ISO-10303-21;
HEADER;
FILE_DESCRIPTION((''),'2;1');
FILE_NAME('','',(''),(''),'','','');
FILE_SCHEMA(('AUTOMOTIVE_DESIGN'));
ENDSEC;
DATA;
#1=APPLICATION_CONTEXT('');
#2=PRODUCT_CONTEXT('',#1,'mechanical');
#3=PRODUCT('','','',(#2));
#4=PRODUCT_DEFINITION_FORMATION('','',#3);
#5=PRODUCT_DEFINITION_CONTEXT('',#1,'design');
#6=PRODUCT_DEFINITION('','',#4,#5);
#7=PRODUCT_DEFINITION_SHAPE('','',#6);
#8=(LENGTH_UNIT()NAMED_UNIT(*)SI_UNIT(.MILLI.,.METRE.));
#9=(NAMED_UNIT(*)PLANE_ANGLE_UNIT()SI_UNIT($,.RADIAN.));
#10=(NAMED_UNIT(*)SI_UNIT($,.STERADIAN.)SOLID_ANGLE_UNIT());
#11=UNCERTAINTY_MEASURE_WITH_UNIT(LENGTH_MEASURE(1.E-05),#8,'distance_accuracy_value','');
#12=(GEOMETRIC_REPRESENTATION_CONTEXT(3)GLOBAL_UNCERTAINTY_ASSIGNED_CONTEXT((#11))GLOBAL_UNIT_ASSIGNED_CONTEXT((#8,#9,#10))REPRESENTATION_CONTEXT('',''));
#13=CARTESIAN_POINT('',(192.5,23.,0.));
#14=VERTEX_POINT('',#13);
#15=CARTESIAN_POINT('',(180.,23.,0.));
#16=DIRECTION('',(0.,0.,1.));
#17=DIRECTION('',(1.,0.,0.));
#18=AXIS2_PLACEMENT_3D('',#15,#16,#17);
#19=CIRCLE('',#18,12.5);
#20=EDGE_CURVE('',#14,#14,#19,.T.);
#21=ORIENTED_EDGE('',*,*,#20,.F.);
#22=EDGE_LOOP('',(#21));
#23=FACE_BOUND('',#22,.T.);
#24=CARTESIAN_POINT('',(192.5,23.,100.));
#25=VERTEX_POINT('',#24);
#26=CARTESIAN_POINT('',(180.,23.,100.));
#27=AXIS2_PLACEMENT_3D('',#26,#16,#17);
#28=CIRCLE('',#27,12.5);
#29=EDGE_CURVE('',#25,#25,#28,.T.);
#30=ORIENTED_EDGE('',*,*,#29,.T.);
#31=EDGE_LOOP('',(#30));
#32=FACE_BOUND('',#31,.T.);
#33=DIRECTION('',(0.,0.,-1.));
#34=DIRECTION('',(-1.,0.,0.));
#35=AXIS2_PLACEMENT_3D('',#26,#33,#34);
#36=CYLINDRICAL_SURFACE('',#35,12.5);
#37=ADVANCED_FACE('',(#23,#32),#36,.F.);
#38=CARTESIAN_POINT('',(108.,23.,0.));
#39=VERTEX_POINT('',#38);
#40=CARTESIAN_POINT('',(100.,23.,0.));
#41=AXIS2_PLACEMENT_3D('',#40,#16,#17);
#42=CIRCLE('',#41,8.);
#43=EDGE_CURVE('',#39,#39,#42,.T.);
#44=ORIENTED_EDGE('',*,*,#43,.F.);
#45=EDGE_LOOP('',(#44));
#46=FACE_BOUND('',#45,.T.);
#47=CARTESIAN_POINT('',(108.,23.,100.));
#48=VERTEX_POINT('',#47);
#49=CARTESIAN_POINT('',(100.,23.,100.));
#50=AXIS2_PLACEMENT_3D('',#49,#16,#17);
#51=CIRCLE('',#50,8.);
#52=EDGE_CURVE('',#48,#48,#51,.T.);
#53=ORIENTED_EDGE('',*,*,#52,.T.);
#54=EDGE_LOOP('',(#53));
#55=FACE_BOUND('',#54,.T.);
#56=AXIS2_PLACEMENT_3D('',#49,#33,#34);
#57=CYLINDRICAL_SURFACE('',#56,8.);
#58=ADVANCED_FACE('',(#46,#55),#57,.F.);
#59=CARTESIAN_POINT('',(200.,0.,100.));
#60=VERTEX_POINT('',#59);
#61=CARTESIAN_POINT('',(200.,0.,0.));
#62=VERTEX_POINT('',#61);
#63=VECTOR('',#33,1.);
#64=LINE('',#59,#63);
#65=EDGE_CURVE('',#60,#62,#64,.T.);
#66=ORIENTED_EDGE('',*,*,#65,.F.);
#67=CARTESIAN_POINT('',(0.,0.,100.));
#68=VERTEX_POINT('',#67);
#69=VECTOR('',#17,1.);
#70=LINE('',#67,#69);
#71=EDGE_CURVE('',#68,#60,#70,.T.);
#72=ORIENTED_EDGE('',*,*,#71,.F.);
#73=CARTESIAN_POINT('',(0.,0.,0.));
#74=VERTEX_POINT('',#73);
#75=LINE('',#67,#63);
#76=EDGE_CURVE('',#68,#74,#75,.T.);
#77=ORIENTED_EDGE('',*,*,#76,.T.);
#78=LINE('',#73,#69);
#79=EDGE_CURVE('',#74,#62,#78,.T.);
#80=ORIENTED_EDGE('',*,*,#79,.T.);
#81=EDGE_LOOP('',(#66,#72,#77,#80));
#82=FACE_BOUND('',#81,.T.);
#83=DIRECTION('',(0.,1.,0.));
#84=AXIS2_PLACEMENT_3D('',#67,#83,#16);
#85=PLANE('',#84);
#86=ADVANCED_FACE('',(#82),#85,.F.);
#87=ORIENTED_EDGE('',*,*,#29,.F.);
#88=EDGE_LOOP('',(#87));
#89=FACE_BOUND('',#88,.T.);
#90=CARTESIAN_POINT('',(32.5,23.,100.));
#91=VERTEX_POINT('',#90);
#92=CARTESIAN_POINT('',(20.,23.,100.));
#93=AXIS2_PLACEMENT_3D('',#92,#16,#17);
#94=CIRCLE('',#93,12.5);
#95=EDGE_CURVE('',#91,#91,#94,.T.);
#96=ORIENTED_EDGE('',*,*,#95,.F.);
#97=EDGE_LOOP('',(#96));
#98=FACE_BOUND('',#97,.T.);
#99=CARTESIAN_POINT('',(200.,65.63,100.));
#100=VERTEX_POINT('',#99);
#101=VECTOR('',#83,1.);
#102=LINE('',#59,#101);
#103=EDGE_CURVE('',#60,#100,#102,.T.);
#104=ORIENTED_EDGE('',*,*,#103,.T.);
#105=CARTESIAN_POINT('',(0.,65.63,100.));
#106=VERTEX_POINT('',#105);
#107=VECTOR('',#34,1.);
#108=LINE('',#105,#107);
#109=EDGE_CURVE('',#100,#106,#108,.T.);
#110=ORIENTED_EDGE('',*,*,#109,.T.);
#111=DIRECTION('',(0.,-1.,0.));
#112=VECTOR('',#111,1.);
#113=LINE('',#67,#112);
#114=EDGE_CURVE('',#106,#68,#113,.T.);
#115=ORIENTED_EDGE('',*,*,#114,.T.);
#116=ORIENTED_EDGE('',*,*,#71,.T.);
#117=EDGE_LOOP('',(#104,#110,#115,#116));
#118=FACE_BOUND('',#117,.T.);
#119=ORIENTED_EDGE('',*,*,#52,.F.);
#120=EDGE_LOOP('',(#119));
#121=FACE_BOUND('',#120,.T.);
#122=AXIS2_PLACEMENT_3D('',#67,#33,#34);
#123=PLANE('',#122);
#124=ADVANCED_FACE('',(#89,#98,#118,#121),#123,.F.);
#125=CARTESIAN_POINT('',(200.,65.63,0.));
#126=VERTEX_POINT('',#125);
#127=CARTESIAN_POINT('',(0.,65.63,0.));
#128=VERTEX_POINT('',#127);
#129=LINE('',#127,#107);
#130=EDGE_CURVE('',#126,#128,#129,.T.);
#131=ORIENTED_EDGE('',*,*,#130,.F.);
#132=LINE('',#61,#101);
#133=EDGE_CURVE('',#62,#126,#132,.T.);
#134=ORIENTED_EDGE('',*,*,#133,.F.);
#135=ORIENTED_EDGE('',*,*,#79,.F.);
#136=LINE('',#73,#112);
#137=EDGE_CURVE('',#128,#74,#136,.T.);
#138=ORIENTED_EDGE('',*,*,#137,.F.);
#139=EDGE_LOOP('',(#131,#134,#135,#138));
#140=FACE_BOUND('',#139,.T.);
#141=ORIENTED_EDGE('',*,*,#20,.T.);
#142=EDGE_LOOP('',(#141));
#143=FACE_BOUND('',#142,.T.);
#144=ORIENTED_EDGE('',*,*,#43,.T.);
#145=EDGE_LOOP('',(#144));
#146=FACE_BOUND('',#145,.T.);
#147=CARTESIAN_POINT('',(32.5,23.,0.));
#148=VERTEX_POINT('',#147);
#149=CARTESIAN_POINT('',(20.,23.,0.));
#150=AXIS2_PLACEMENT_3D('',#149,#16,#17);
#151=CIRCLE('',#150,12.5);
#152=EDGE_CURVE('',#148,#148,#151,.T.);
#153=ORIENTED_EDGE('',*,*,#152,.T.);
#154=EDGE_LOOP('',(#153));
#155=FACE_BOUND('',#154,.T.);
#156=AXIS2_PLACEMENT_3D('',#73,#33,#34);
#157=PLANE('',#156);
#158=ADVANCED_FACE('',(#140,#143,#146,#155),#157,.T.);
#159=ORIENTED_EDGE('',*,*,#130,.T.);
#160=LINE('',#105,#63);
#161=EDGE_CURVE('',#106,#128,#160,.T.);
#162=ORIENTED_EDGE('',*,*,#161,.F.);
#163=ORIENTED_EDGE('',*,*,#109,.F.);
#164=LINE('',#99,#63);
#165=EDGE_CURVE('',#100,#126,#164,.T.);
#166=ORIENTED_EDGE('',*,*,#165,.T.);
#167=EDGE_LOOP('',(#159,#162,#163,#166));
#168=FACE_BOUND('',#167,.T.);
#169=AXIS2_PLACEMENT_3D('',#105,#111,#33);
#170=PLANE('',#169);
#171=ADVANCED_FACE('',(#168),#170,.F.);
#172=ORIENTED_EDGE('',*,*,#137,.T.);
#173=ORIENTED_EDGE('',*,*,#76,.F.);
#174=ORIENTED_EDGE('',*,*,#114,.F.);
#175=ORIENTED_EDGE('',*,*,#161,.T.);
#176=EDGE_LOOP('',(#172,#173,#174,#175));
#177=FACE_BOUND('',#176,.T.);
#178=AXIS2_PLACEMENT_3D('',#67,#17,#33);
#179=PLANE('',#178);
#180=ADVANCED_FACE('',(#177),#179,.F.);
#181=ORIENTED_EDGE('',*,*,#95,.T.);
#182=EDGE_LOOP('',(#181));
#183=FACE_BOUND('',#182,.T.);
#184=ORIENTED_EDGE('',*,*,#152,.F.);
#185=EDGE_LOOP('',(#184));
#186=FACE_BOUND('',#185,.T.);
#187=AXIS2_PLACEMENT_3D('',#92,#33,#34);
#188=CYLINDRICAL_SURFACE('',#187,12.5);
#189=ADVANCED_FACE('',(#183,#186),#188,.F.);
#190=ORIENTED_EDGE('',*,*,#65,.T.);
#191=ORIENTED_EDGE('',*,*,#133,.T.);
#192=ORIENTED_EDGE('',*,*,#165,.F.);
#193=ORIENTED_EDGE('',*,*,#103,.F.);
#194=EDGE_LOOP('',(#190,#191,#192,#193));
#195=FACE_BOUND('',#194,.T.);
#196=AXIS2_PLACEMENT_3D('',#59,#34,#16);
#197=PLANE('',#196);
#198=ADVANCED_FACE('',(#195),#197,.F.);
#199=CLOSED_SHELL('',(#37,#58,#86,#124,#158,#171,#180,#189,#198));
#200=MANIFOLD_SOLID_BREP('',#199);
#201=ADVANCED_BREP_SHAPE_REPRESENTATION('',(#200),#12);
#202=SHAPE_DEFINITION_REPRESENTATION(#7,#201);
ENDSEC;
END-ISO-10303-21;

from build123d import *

# Parameters (mm, degrees)
SKETCH_1_W      = 200
SKETCH_1_H      = 65.63
SKETCH_1_R      = 12.5
SKETCH_1_R_2    = 8
EXTRUDE_1_DEPTH = 100


with BuildPart() as part:
    # 草图1 → 凸台-拉伸1 (new body)
    with BuildSketch(Plane.XY):
        with Locations((100, 32.815)):
            Rectangle(SKETCH_1_W, SKETCH_1_H)
        with Locations((20, 23)):
            Circle(SKETCH_1_R, mode=Mode.SUBTRACT)
        with Locations((100, 23)):
            Circle(SKETCH_1_R_2, mode=Mode.SUBTRACT)
        with Locations((180, 23)):
            Circle(SKETCH_1_R, mode=Mode.SUBTRACT)
    extrude(amount=EXTRUDE_1_DEPTH)


solid = part.part
